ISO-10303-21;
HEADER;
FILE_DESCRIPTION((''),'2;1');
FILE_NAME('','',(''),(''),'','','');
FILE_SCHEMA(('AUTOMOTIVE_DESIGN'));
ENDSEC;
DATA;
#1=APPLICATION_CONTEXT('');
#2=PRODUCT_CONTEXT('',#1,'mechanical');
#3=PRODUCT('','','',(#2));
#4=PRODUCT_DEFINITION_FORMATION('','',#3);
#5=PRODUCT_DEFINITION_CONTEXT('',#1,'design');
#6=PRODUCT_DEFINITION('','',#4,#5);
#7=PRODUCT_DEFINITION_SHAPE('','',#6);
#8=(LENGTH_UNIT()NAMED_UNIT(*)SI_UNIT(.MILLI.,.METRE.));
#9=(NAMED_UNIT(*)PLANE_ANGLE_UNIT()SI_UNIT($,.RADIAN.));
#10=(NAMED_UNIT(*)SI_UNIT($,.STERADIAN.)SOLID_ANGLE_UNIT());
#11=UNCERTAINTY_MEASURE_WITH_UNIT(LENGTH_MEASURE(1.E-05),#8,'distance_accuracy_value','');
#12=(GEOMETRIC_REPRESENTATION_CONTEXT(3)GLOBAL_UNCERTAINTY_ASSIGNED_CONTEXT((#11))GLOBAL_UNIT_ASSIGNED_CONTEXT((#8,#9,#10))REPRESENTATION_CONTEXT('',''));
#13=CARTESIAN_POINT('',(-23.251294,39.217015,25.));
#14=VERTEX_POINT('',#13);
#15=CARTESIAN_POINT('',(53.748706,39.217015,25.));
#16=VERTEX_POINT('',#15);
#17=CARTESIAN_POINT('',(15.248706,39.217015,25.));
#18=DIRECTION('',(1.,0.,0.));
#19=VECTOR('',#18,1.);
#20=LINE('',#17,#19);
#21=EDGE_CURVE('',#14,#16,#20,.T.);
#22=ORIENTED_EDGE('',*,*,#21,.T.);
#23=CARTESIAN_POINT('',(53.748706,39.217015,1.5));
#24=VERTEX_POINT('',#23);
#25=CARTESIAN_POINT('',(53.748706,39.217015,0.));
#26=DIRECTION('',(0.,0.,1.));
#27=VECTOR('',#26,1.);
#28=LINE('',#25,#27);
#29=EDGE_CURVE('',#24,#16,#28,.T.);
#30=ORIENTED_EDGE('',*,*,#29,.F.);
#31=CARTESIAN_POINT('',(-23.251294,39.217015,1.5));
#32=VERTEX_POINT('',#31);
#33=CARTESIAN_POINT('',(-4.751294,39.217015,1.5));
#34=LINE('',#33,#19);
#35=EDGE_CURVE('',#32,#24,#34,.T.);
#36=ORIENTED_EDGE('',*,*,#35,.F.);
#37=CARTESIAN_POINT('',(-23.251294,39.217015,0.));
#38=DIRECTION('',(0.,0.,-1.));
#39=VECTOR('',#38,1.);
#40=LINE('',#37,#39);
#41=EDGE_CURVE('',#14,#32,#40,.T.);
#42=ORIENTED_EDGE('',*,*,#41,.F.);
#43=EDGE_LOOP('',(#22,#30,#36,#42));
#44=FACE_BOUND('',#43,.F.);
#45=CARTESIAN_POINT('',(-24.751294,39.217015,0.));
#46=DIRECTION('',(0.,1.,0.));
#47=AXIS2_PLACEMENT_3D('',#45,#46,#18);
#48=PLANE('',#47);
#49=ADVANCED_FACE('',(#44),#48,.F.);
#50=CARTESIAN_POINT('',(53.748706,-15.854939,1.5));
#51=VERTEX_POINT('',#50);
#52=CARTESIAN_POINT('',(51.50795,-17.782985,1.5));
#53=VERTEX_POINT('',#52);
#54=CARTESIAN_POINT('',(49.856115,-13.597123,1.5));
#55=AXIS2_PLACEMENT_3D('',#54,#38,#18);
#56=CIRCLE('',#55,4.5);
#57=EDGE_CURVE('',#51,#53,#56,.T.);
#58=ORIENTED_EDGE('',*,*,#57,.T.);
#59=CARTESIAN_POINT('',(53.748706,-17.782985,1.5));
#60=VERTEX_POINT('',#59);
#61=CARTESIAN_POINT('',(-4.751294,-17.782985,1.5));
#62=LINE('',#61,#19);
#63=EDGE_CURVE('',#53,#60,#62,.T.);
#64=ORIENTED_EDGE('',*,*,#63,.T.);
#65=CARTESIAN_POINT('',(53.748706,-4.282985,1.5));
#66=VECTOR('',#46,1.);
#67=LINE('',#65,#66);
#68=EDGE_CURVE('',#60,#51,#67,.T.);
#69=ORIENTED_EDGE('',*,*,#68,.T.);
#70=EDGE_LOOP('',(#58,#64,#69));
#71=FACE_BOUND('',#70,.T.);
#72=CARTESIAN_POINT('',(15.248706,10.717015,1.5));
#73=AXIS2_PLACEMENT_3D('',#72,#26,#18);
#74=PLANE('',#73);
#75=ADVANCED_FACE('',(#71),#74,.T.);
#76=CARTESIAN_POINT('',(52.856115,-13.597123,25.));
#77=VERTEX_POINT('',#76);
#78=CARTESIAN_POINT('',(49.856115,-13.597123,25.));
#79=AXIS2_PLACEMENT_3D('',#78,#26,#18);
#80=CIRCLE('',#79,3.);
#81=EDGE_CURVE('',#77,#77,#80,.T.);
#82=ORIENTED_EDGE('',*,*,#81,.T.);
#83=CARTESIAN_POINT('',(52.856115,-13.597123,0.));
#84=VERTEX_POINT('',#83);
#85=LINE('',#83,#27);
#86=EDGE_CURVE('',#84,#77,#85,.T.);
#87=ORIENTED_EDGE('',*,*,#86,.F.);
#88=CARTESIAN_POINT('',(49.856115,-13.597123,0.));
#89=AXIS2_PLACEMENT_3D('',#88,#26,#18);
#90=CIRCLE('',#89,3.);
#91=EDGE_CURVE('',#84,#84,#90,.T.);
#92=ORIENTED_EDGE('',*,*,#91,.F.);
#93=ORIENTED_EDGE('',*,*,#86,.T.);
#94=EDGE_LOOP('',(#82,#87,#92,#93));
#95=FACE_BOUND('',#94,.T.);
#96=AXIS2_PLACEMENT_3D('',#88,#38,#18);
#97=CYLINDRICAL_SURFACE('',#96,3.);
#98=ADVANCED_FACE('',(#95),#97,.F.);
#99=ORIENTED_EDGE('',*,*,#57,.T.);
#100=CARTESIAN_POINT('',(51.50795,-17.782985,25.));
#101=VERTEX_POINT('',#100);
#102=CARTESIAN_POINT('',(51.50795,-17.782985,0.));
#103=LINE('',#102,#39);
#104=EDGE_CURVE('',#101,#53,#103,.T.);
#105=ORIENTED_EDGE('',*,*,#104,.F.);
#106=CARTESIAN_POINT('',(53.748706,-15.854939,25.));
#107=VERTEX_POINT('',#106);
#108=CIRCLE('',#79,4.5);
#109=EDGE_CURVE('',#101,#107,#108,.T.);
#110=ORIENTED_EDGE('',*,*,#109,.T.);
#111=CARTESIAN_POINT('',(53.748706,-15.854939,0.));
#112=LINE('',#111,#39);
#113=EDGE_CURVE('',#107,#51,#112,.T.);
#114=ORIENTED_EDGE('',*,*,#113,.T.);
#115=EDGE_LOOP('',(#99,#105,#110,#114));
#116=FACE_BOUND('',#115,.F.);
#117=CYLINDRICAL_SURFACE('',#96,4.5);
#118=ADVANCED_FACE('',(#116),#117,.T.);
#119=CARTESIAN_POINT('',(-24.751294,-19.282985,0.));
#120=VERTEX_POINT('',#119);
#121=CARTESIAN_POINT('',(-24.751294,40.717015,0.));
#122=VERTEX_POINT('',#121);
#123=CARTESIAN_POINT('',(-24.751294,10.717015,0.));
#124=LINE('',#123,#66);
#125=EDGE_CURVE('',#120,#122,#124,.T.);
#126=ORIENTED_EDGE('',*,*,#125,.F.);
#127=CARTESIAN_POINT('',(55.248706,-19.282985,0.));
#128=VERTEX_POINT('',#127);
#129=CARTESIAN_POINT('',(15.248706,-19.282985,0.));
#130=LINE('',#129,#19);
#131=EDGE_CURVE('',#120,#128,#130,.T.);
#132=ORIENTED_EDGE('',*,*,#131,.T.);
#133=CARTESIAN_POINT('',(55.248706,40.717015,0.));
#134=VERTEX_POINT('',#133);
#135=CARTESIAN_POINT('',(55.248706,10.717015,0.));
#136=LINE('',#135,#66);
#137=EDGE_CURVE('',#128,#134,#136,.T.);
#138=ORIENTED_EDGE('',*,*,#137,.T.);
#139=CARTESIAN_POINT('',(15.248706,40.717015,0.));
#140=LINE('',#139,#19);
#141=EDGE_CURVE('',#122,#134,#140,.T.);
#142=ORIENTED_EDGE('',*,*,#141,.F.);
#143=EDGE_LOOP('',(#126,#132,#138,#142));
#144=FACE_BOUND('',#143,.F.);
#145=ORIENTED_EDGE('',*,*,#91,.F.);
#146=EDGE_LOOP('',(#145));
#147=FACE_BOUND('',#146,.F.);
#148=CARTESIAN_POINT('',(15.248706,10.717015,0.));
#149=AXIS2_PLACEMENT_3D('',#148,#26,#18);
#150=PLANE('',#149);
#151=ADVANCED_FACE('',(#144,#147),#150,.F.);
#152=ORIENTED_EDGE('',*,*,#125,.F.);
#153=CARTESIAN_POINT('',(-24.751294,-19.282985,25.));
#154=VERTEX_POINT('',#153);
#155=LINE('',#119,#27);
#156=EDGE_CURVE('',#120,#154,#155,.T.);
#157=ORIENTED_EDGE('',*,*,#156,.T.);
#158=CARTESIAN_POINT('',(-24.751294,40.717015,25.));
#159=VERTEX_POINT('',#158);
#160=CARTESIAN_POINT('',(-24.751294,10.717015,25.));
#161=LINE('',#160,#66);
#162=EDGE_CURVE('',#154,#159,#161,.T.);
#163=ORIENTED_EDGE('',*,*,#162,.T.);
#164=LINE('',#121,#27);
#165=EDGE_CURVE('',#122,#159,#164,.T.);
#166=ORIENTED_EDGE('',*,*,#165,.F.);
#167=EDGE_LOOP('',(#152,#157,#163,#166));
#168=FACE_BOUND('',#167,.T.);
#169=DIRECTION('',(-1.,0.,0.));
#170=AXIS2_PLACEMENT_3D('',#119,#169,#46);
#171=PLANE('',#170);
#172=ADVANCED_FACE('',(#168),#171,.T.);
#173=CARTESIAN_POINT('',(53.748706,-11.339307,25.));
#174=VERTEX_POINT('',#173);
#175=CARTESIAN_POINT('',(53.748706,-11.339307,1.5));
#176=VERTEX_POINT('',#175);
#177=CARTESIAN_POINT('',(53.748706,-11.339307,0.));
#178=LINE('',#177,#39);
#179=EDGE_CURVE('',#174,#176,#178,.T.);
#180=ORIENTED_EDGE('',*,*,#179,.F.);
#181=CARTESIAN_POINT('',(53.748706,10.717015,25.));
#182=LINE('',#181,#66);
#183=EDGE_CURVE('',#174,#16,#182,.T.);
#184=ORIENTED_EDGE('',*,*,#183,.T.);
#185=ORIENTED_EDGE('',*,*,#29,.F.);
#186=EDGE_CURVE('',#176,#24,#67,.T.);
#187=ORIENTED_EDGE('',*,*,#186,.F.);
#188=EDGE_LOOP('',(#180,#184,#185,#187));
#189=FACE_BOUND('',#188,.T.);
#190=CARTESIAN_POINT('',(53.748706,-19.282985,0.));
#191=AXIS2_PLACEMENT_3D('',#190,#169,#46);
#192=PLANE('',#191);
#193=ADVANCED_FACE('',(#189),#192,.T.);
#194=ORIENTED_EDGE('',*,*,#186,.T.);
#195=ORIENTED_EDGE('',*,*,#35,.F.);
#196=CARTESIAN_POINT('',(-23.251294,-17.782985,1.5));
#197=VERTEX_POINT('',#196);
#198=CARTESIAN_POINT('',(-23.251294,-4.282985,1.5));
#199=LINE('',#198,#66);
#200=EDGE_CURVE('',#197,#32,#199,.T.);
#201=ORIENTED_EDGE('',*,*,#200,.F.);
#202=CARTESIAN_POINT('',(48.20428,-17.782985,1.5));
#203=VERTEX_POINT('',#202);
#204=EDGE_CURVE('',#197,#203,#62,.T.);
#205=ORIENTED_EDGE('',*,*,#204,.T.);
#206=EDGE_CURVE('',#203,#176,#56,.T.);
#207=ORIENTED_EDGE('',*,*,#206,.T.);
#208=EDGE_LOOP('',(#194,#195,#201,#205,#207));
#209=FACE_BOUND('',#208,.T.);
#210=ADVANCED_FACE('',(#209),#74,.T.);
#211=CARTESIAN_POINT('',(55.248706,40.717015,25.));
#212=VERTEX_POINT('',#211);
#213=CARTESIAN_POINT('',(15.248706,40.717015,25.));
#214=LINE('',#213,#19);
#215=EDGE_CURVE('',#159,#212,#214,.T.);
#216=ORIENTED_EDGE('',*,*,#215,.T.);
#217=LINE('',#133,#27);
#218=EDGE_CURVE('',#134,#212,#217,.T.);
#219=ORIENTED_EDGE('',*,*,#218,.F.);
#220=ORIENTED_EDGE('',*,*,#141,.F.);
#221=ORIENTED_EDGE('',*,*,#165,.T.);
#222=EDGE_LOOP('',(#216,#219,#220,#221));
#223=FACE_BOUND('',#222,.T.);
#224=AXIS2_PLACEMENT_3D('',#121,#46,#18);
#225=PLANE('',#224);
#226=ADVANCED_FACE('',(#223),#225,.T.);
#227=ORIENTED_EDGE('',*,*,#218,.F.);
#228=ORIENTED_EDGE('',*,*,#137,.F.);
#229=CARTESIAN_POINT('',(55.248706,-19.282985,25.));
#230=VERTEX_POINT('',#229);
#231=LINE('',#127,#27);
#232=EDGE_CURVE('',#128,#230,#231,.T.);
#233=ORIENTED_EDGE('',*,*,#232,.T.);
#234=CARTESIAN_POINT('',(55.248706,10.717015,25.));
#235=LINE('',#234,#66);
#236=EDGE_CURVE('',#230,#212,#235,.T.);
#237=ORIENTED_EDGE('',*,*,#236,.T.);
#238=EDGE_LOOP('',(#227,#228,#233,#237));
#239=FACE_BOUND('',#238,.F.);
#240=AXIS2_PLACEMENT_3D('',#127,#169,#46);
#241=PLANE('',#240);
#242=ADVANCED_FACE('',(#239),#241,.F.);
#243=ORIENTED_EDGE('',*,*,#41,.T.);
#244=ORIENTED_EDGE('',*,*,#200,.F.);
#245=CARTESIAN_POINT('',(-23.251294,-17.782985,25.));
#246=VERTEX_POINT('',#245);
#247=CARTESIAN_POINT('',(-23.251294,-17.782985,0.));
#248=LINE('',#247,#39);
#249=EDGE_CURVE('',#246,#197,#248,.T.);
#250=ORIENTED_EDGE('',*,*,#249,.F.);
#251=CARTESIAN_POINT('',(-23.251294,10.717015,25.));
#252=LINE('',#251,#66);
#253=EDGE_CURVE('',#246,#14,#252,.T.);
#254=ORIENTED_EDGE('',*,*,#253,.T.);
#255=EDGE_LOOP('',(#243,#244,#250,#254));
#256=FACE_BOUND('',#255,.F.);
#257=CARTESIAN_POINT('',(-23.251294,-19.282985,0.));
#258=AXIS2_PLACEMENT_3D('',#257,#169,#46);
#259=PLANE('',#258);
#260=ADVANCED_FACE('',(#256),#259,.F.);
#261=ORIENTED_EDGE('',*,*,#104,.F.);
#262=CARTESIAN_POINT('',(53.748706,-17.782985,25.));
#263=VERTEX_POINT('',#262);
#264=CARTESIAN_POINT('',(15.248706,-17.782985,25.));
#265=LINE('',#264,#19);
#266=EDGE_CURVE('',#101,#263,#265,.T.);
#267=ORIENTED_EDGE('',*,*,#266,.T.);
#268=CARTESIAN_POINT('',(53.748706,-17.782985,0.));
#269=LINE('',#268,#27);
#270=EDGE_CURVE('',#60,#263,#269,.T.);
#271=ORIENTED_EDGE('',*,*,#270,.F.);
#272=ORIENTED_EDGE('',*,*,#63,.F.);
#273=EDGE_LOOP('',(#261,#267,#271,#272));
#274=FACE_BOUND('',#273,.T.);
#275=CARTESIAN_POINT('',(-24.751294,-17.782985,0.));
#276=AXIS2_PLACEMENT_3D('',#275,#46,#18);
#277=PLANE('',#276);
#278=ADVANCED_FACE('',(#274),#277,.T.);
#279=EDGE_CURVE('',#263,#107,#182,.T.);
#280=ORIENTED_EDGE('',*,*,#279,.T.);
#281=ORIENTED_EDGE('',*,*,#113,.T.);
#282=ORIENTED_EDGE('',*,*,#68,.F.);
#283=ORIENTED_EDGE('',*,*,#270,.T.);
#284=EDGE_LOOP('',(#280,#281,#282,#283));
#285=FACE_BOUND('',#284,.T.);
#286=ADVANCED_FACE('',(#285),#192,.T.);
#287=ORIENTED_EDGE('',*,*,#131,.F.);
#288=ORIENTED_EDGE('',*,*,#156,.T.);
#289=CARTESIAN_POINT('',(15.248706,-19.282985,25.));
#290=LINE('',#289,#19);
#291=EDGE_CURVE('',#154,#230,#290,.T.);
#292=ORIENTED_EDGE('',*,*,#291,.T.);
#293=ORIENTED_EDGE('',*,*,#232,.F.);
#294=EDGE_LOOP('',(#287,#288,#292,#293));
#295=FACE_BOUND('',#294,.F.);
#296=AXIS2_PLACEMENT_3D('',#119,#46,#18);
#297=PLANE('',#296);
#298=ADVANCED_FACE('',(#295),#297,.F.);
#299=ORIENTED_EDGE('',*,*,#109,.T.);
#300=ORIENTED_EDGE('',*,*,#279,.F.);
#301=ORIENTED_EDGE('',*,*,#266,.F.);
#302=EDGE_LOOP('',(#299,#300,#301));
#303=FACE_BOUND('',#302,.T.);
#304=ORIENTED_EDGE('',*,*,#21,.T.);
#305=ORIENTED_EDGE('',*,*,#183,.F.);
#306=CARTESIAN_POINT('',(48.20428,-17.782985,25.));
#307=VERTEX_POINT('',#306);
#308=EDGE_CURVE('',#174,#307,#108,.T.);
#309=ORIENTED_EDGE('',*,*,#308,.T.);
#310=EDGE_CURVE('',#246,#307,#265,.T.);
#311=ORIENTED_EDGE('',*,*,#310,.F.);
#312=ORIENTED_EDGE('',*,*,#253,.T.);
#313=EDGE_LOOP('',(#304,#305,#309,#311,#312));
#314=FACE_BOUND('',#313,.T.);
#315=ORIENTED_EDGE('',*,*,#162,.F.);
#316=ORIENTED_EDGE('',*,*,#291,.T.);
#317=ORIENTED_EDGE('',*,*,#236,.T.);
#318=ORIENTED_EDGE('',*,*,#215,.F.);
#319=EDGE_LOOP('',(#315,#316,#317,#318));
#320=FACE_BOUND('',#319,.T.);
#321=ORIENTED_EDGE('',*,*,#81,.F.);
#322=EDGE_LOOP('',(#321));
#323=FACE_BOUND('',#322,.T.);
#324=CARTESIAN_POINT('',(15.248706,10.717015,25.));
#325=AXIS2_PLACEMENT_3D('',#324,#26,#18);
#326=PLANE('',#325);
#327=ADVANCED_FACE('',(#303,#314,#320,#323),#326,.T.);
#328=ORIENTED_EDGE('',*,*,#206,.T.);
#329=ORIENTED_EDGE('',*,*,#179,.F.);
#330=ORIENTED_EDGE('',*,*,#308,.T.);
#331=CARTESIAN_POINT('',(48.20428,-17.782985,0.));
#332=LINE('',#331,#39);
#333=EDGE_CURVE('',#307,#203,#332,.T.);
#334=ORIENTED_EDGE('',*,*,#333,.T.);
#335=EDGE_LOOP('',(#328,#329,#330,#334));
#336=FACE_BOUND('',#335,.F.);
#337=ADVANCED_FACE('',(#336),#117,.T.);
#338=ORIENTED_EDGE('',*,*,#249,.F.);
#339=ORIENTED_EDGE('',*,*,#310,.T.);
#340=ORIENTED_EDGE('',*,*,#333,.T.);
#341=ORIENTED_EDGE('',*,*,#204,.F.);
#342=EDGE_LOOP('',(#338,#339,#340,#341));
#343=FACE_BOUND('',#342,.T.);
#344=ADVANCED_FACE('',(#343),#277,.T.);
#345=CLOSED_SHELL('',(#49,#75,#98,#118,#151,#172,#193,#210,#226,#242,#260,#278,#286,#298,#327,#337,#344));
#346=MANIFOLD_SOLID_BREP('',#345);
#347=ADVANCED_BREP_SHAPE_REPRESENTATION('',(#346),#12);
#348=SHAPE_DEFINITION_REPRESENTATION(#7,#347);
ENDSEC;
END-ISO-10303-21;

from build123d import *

# Parameters (mm, degrees)
F0_W     = 80
F0_H     = 60
F0_R     = 3
F1_DEPTH = 25
F2_T     = -1.5


with BuildPart() as f1:
    # F0 (on Top) → F1 (new body)
    with BuildSketch(Plane.XY):
        with Locations((15.248706, 10.717015)):
            Rectangle(F0_W, F0_H)
        with Locations((49.856115, -13.597123)):
            Circle(F0_R, mode=Mode.SUBTRACT)
    extrude(amount=F1_DEPTH)

    # F2
    f2_openings = [f1.faces().sort_by_distance(p)[0] for p in [
        (15.043643, 10.861085, 25),
    ]]
    offset(amount=F2_T, openings=f2_openings)


solid = f1.part
